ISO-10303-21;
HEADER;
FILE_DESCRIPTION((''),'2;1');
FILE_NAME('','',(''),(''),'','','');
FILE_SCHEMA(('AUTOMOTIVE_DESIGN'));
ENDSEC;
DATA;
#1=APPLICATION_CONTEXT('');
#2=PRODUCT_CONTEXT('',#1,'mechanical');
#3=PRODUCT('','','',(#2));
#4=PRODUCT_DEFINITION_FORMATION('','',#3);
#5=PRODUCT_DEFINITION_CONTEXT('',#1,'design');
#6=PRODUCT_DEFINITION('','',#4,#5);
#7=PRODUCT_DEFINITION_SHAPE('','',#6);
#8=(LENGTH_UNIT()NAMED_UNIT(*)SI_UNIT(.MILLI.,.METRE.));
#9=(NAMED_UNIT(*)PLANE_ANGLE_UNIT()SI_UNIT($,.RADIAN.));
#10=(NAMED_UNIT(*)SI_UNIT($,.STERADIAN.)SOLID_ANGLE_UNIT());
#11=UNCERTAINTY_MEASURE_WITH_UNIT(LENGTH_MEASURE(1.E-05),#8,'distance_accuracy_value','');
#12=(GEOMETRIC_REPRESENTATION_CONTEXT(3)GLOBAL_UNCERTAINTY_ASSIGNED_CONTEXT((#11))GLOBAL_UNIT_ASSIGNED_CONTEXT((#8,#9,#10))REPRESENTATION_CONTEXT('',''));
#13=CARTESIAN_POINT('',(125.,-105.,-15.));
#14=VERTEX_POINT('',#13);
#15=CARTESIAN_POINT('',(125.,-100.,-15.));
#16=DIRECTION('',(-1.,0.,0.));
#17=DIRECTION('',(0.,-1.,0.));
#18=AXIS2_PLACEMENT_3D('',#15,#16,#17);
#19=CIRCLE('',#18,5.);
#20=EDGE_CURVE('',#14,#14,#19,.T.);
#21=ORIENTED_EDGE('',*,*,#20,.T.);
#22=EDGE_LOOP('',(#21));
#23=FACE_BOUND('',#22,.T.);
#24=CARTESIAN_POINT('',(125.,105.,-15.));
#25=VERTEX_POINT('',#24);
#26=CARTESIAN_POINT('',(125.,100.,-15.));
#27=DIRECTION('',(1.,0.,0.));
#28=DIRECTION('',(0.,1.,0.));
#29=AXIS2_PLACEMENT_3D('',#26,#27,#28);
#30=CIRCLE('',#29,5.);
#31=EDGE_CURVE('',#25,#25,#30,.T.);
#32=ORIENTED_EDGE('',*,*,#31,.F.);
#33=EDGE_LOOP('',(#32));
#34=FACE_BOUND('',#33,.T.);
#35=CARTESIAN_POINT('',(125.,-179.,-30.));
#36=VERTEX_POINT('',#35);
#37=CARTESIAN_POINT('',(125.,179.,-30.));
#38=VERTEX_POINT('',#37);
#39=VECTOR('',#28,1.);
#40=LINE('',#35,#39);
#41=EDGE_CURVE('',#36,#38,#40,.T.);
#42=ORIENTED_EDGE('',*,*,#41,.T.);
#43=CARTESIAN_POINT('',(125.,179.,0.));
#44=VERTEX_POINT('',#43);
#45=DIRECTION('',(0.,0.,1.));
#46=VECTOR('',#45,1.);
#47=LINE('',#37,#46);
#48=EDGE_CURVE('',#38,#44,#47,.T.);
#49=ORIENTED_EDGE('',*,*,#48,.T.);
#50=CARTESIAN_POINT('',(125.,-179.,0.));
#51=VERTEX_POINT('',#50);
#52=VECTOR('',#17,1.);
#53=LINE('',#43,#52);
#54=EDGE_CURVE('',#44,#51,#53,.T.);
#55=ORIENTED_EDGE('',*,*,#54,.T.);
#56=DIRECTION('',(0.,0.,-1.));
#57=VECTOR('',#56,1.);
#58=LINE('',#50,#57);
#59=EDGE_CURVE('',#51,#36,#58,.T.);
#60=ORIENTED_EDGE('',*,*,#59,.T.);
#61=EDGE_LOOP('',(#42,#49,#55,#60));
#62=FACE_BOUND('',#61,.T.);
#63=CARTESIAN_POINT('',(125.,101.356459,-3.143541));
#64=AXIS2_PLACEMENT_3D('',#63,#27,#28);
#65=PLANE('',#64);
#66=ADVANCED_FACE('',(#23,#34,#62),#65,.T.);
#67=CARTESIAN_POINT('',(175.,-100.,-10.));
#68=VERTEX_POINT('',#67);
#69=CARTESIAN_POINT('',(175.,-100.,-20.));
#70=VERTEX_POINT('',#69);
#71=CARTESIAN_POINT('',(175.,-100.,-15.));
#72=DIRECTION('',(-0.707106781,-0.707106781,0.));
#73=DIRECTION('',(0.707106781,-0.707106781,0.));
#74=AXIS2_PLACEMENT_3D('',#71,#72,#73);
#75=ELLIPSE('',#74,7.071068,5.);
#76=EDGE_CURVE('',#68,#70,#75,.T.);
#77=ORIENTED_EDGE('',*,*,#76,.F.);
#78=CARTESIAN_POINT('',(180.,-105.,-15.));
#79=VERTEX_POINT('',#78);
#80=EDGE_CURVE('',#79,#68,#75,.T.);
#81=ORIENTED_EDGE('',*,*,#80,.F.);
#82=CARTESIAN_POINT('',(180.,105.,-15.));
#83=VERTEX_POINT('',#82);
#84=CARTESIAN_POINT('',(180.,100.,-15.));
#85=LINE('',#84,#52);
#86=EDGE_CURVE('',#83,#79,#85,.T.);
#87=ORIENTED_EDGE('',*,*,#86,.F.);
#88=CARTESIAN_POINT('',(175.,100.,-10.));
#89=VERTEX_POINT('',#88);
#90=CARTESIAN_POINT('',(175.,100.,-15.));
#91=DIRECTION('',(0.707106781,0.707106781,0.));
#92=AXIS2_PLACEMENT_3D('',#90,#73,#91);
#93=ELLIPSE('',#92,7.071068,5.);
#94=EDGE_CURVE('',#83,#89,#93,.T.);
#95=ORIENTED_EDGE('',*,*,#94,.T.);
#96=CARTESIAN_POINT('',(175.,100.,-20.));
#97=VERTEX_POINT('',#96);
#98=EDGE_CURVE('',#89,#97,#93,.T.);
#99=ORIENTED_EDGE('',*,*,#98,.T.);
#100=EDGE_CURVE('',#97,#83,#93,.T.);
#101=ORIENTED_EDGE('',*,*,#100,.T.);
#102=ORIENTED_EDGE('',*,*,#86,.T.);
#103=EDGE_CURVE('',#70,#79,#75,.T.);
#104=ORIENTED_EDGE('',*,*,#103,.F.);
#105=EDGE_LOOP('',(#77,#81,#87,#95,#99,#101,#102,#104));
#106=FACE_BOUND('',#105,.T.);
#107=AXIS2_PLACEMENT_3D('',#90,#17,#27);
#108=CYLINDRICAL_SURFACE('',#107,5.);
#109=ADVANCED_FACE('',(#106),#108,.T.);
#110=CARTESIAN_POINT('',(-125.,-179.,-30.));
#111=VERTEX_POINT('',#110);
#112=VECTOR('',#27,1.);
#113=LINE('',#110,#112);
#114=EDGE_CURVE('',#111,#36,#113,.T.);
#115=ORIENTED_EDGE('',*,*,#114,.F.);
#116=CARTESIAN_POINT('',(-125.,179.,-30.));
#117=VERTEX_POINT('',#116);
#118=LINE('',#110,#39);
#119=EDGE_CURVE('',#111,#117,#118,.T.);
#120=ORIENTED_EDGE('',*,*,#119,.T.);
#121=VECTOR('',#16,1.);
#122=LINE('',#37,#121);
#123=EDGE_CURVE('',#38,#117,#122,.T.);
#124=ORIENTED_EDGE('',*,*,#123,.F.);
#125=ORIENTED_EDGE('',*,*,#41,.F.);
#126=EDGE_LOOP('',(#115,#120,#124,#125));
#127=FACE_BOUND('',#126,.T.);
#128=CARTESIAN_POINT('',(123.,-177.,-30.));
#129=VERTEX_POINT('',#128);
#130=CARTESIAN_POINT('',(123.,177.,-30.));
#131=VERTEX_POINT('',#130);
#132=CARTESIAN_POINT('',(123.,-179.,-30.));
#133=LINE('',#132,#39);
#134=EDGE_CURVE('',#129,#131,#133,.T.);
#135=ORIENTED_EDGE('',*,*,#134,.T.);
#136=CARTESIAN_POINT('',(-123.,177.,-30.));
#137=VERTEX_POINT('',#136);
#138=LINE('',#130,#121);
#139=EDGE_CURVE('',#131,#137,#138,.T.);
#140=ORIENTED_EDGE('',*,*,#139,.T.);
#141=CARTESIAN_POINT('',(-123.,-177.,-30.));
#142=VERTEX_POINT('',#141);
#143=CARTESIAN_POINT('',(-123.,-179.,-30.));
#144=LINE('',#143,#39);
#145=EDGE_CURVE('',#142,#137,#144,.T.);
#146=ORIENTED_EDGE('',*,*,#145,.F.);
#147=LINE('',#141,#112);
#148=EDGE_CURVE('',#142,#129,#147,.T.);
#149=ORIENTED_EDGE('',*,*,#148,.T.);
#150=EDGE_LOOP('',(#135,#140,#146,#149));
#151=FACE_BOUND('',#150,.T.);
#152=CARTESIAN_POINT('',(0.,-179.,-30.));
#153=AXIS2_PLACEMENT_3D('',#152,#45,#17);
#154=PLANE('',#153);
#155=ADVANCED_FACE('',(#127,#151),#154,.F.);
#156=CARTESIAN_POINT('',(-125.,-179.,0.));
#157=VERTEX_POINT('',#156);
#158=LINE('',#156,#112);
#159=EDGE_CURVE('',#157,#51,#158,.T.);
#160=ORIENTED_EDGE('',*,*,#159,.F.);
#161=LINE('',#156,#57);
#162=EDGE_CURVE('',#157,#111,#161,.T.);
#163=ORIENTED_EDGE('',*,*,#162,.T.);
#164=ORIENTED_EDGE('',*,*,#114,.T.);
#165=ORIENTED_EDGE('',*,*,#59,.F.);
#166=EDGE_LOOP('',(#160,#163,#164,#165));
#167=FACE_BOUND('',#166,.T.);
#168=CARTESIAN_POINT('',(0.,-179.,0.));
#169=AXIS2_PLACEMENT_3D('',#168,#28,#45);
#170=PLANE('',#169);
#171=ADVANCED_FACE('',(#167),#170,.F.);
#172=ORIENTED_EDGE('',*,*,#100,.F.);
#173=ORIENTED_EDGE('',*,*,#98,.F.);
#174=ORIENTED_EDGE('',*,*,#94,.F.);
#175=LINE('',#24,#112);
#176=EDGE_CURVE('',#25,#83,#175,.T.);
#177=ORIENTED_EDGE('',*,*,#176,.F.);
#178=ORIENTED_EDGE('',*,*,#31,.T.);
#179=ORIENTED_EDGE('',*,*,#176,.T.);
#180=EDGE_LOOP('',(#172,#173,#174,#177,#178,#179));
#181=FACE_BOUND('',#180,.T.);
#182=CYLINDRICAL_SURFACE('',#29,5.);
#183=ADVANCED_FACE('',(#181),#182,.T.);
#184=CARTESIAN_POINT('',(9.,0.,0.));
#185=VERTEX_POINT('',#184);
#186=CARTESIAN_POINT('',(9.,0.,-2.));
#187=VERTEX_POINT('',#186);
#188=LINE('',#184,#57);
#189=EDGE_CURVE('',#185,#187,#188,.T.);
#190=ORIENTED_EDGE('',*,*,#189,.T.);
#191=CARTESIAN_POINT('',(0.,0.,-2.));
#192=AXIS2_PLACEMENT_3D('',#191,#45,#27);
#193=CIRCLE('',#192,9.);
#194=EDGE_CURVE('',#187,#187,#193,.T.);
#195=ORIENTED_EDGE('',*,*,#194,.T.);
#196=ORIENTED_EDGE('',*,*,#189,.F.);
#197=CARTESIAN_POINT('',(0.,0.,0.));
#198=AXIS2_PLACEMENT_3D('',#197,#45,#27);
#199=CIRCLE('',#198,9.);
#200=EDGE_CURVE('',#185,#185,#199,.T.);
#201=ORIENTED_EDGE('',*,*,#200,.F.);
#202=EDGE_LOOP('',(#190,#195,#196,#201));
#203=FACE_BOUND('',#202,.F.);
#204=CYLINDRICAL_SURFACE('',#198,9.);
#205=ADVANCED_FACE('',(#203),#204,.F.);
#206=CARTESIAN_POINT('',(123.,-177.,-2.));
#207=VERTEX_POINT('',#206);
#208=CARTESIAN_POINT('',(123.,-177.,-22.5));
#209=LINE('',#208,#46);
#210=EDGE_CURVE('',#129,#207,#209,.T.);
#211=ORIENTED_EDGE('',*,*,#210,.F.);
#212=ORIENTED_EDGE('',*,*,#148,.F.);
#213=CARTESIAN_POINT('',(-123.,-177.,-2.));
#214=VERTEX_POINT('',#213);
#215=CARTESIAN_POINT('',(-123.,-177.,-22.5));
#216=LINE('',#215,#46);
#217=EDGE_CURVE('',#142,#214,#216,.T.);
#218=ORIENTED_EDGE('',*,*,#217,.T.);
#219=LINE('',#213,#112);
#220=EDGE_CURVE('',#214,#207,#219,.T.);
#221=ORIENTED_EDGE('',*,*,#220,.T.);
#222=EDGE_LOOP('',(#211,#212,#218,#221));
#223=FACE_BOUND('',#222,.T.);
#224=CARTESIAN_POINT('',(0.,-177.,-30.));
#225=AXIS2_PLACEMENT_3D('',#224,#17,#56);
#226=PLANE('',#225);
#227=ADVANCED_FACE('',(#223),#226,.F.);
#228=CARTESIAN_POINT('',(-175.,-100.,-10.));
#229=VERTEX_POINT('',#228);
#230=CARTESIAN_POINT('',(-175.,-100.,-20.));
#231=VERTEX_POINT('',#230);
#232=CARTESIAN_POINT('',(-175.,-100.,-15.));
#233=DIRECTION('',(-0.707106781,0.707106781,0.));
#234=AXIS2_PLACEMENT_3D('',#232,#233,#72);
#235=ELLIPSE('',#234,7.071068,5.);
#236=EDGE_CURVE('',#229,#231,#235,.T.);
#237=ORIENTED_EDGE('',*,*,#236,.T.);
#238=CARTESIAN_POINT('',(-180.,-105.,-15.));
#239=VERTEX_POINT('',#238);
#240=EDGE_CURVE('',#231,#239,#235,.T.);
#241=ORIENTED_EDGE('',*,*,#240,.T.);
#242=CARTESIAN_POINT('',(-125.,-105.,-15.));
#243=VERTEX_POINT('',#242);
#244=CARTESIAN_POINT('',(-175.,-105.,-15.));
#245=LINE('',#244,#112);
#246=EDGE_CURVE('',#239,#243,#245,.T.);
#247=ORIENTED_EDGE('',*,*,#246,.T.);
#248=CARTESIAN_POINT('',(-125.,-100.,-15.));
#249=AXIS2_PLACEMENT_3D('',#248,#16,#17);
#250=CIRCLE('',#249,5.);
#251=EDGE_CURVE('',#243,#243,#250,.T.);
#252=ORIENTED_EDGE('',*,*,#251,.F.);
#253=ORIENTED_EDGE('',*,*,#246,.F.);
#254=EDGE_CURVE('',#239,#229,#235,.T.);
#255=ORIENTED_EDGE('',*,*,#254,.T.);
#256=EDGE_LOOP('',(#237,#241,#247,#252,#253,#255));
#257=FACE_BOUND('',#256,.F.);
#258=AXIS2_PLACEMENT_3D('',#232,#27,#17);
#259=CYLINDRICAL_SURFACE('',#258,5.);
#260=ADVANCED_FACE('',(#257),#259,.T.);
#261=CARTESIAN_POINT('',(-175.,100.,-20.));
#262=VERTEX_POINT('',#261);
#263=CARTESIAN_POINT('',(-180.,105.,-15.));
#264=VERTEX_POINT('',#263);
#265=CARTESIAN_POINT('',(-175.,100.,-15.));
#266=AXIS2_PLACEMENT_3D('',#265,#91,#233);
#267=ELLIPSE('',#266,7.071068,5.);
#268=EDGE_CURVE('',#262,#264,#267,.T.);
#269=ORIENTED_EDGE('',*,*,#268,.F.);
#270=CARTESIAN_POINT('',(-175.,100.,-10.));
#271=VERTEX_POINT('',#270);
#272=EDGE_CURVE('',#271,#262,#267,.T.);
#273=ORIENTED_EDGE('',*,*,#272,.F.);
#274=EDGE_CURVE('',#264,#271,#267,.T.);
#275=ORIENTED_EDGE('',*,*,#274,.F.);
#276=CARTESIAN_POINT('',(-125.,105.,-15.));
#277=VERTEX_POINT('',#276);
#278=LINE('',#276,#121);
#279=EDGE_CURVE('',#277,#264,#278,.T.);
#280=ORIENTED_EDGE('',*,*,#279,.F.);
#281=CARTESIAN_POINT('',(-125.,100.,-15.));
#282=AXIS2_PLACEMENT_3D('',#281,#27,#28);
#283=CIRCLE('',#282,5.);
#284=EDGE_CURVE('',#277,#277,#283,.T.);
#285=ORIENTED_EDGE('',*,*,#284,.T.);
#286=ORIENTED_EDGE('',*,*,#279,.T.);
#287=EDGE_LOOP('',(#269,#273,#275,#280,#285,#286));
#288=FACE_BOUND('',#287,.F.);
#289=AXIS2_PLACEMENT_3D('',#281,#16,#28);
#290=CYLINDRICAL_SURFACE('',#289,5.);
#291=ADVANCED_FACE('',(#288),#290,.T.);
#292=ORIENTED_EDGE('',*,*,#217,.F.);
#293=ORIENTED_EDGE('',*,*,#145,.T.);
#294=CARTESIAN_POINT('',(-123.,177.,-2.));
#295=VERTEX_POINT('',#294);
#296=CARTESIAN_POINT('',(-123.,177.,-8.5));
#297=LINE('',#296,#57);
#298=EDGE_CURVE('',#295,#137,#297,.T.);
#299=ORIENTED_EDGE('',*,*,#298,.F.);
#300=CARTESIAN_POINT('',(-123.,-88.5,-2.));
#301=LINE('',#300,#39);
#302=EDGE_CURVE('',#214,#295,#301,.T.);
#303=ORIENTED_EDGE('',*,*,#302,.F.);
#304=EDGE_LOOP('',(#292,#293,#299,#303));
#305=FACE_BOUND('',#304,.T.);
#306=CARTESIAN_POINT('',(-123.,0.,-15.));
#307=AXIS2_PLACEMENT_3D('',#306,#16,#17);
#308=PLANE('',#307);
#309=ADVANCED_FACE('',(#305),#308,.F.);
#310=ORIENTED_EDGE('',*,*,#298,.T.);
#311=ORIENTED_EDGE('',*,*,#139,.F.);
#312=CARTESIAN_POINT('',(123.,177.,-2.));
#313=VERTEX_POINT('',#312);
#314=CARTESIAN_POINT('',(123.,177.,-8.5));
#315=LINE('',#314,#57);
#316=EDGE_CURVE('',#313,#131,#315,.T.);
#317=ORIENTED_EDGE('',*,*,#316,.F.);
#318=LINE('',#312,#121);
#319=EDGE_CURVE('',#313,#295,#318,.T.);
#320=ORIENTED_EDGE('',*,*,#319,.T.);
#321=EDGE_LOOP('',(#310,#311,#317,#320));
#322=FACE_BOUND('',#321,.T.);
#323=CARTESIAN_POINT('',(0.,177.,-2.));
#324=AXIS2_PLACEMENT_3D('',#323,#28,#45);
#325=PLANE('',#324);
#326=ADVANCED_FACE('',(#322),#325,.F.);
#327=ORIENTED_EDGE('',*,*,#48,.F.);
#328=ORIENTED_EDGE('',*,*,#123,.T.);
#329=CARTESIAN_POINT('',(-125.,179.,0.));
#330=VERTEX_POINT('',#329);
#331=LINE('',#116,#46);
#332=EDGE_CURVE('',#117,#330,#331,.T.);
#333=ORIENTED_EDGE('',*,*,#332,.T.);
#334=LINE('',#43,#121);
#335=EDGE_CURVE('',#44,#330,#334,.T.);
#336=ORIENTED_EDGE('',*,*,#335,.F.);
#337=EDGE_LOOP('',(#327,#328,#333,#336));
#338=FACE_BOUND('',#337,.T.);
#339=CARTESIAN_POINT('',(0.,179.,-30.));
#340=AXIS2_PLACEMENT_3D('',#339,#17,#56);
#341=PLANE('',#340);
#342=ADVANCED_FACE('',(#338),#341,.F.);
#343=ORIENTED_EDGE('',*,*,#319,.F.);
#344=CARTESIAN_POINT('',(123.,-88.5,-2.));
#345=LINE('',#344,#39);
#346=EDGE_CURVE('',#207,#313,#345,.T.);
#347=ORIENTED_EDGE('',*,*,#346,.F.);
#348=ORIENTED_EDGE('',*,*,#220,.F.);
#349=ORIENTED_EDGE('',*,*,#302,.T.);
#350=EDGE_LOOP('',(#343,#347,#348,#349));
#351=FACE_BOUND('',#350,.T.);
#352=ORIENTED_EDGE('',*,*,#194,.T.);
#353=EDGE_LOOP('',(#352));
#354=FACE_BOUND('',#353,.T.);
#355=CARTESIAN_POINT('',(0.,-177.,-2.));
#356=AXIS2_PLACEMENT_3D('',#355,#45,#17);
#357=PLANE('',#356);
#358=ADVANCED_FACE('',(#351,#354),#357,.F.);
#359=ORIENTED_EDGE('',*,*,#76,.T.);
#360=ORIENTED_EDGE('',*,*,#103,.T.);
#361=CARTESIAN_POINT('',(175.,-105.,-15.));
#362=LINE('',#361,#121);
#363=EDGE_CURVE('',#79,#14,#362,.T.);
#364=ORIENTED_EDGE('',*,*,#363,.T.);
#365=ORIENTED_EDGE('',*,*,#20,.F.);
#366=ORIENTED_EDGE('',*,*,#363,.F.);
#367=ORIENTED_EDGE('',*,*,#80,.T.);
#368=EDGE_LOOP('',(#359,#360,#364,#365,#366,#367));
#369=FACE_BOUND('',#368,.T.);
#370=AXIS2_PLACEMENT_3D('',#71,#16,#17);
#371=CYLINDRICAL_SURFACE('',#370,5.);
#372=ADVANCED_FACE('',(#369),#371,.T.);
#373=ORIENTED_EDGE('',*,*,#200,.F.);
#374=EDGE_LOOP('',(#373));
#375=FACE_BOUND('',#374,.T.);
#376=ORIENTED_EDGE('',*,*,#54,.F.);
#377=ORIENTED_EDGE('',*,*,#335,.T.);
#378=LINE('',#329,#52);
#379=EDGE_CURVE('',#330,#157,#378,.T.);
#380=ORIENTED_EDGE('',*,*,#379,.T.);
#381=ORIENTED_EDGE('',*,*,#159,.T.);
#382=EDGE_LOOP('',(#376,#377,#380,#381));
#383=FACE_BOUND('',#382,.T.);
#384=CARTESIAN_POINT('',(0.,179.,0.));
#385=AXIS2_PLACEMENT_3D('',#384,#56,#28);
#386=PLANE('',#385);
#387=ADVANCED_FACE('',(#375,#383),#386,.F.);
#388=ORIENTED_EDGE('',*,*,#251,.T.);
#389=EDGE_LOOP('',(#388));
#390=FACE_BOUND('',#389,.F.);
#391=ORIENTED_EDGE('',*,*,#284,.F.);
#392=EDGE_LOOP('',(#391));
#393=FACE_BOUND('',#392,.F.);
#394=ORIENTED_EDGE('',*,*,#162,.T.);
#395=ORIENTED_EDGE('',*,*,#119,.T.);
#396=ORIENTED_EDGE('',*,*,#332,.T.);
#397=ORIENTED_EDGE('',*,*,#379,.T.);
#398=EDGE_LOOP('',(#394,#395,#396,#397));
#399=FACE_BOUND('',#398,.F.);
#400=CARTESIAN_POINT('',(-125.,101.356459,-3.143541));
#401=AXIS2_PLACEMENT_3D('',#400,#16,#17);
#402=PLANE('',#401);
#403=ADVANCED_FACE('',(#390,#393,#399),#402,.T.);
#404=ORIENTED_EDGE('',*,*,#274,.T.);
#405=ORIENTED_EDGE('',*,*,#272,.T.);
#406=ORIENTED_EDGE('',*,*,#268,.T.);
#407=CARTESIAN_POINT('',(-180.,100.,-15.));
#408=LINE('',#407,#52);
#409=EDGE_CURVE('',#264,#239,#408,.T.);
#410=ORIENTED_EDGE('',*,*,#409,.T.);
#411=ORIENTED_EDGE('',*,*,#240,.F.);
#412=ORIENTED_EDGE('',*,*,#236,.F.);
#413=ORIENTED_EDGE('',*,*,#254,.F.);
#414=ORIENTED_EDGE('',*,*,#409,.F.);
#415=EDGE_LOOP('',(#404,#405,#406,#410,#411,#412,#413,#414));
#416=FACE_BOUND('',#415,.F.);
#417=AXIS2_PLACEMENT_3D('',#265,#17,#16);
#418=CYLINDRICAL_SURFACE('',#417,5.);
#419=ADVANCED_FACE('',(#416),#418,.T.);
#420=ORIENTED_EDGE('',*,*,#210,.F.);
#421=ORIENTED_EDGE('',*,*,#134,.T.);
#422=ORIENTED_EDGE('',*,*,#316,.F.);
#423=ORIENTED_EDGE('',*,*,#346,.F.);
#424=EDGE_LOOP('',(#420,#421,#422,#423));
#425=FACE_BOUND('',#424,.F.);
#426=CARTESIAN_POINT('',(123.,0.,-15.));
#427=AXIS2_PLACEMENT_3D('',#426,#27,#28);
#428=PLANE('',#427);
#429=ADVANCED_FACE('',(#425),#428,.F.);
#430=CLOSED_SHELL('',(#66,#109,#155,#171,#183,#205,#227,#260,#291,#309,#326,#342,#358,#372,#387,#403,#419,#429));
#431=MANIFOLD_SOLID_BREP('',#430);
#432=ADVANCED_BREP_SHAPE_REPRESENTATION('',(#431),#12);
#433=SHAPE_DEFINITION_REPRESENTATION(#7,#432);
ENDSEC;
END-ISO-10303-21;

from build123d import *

# Parameters (mm, degrees)
F1_DEPTH  = 125
F4_DEPTH  = 2
F10_R     = 9
F11_DEPTH = 25


with BuildPart() as f1:
    # F0 (on Right) → F1 (new body)
    with BuildSketch(Plane.YZ):
        Polygon((179, 0), (0, 0), (0, -2), (177, -2), (177, -30), (179, -30), align=None)
        Polygon((0, -2), (0, 0), (-179, 0), (-179, -30), (-177, -30), (-177, -2), align=None)
    extrude(amount=F1_DEPTH)

    # F3 (on offset) → F4 (join)
    with BuildSketch(Plane.YZ.offset(125)):
        Polygon((179, 0), (0, 0), (-179, 0), (-179, -30), (179, -30), align=None)
    extrude(amount=-F4_DEPTH)

    # F8: sweep along a path in F7
    with BuildLine(Plane.XY.offset(-15)) as f8_path:
        Line((125, 100), (175, 100))
        Line((175, 100), (175, -100))
        Line((175, -100), (125, -100))
    # F5 (on offset) → F8 (sweep)
    with BuildSketch(Plane.YZ.offset(125)):
        with BuildLine():
            ThreePointArc((95, -15), (100, -20), (105, -15))
            ThreePointArc((105, -15), (100, -10), (95, -15))
        make_face()
    sweep(path=f8_path.line, transition=Transition.RIGHT)

    # F9: F1 across face


with BuildPart() as f1_1:
    add(f1.part)
    add(f1.part.mirror(Plane(origin=(0, 0, -3.0289855072), x_dir=(0, 1, 0), z_dir=(-1, 0, 0))))

    # F10 (on Top) → F11 (cut)
    with BuildSketch(Plane.XY):
        Circle(F10_R)
    extrude(amount=-F11_DEPTH, mode=Mode.SUBTRACT)


solid = f1_1.part
